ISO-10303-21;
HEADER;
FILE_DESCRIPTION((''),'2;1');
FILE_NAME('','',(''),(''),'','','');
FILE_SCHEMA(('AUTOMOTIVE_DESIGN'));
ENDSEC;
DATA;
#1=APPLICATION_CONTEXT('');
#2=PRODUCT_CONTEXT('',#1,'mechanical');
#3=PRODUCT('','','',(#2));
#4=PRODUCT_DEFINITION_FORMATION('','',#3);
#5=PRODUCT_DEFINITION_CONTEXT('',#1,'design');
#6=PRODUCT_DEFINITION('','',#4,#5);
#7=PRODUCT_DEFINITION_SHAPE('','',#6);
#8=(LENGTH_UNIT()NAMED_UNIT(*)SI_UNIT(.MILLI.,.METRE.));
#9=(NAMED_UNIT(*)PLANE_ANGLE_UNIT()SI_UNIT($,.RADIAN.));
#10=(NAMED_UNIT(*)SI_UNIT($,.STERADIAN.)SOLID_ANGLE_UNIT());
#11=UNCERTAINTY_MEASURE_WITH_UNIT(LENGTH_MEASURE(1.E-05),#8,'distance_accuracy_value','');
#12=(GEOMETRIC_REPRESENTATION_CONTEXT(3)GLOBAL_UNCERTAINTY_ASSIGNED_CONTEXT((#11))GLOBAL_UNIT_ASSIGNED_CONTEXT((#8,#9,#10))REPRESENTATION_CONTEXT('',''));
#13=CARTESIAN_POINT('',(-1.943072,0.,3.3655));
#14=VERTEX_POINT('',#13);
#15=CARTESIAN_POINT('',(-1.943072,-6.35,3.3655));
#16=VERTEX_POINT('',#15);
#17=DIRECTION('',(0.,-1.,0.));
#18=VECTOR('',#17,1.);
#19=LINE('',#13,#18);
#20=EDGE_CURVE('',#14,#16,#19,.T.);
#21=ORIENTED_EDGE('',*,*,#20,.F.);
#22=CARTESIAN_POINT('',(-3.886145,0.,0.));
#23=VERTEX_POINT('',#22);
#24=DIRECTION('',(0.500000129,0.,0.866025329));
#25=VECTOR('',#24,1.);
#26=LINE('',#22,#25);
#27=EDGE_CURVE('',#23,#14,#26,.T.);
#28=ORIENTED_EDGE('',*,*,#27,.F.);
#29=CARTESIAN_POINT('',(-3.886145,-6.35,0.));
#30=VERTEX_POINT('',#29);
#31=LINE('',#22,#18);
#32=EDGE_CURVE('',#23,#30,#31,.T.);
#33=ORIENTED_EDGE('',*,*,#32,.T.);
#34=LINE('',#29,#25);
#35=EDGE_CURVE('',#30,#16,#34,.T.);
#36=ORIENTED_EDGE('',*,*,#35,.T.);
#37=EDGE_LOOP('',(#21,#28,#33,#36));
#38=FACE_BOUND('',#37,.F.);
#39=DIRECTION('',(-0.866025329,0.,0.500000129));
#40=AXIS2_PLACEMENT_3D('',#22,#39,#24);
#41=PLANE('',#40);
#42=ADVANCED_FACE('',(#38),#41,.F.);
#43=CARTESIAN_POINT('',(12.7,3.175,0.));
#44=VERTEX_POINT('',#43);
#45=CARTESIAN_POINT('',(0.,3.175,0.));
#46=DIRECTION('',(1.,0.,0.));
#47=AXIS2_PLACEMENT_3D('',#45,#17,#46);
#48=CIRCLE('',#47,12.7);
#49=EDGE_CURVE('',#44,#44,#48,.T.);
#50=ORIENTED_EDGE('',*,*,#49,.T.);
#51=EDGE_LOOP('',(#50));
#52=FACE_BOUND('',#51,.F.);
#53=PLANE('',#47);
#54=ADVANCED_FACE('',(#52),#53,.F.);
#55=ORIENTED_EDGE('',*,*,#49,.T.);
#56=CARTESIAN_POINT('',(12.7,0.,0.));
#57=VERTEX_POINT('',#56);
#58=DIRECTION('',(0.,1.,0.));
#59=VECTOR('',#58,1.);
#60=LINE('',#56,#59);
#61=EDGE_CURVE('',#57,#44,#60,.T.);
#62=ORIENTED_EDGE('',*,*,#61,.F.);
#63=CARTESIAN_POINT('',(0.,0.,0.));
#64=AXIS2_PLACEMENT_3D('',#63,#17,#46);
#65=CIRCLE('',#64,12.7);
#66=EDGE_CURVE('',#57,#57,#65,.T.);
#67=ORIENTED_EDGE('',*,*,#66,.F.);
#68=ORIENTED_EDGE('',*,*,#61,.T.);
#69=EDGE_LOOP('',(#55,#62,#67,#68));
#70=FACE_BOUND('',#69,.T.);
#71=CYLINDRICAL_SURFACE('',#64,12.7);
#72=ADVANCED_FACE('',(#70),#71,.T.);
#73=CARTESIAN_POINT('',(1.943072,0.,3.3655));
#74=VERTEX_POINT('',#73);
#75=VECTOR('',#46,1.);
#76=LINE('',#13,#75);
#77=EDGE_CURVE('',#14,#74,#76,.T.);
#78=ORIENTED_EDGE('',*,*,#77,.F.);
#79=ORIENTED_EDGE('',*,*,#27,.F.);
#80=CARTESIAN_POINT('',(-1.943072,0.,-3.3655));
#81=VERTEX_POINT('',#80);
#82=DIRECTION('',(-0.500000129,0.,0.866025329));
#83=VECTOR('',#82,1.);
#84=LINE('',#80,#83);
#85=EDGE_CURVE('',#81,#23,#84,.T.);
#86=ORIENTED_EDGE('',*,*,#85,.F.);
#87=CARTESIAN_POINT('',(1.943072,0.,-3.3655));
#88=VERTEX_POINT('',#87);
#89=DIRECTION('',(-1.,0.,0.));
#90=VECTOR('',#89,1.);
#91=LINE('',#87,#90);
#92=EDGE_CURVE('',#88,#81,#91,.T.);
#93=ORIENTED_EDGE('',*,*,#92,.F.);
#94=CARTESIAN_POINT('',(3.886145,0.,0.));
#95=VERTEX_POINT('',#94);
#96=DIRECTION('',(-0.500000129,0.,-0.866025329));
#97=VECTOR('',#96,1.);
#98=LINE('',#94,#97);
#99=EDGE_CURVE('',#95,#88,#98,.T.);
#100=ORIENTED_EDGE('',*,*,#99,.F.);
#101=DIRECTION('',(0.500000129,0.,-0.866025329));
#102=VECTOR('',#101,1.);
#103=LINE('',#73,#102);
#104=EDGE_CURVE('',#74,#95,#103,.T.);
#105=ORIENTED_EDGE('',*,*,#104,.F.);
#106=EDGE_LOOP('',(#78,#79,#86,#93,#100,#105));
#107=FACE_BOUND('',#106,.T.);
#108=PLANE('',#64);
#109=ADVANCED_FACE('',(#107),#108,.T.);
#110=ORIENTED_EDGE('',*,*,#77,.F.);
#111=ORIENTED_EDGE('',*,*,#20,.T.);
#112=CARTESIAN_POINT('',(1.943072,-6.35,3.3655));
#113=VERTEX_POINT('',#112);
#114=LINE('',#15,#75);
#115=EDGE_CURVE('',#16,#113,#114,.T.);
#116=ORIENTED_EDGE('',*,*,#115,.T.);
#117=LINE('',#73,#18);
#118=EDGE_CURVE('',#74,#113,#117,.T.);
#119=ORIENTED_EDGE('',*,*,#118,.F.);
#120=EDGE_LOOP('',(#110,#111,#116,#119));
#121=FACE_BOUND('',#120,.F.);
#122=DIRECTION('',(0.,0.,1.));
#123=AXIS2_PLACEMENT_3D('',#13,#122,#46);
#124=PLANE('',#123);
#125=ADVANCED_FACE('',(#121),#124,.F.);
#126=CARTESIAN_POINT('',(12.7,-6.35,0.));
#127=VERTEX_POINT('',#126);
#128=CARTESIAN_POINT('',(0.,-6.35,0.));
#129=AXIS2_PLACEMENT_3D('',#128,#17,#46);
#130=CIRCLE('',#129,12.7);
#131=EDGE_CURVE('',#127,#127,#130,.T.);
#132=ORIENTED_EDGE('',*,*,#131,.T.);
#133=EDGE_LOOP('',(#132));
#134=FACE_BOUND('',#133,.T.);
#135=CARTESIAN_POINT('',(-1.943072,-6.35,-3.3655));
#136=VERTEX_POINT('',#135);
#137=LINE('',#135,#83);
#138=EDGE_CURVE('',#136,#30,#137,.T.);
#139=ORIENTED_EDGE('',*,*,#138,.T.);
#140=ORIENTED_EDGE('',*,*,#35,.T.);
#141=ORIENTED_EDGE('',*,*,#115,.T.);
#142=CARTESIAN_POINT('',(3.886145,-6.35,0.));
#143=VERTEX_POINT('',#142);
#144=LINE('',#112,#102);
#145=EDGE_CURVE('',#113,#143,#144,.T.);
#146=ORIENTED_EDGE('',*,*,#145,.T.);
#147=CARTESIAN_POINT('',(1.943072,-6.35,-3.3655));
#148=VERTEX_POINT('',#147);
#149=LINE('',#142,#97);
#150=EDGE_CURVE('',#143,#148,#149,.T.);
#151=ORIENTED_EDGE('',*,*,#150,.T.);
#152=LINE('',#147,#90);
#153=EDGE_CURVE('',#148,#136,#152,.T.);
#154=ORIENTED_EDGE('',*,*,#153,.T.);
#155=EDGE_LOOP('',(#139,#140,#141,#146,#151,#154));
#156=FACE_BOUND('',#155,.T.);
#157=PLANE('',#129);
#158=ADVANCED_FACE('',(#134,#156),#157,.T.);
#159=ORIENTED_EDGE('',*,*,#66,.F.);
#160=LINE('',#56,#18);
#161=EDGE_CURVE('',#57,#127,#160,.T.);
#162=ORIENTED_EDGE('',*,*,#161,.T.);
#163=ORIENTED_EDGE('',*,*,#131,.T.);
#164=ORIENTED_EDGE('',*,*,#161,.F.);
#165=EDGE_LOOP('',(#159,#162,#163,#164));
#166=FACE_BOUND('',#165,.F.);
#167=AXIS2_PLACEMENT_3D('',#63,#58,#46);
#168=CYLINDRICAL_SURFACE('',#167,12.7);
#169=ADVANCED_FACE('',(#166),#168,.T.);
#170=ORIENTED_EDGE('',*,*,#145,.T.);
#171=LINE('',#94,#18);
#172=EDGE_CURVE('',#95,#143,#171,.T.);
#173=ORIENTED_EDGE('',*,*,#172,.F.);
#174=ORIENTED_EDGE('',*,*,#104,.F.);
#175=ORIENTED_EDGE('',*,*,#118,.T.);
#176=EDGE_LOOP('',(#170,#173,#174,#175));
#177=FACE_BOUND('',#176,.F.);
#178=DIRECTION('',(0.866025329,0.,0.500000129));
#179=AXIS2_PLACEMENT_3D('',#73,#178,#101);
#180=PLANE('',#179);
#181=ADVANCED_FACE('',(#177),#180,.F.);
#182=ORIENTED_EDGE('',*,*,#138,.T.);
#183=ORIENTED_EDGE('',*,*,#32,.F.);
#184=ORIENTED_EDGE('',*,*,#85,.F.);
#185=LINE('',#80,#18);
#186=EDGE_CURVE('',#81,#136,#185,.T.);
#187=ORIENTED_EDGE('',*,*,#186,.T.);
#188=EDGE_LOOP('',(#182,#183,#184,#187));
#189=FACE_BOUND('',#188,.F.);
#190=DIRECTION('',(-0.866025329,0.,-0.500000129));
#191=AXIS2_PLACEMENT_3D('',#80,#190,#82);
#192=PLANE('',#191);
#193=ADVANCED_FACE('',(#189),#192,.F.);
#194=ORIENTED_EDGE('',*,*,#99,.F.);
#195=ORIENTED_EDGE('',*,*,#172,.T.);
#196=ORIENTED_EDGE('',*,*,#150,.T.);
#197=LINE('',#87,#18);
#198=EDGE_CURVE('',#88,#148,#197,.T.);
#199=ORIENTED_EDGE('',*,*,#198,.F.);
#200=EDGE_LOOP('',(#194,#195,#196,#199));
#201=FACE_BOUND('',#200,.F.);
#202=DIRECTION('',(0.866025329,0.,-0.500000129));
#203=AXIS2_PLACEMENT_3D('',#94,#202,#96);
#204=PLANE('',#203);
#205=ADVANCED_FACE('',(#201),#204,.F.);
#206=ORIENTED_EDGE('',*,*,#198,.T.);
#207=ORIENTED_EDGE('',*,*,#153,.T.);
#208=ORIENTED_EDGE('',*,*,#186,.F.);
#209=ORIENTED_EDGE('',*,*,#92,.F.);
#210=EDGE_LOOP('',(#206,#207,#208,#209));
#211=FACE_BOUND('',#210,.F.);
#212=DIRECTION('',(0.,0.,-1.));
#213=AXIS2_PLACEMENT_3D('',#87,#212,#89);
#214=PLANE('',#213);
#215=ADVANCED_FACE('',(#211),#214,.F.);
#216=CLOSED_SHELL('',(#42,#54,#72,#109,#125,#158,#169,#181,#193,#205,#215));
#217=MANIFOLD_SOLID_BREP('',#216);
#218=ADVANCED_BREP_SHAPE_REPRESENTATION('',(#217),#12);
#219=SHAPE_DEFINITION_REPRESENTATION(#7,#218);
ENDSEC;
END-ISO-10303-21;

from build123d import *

# Parameters (mm, degrees)
F0_R     = 12.7
F1_DEPTH = 3.175
F2_R     = 12.7
F3_DEPTH = 6.35


with BuildPart() as f1:
    # F0 (on Front) → F1 (new body)
    with BuildSketch(Plane.XZ):
        Circle(F0_R)
    extrude(amount=-F1_DEPTH)

    # F2 (on face) → F3 (join)
    with BuildSketch(Plane.XZ):
        Circle(F2_R)
        Polygon((-3.886145, 0), (-1.943072, 3.3655), (1.943072, 3.3655), (3.886145, 0), (1.943072, -3.3655), (-1.943072, -3.3655), align=None, mode=Mode.SUBTRACT)
    extrude(amount=F3_DEPTH)


solid = f1.part
